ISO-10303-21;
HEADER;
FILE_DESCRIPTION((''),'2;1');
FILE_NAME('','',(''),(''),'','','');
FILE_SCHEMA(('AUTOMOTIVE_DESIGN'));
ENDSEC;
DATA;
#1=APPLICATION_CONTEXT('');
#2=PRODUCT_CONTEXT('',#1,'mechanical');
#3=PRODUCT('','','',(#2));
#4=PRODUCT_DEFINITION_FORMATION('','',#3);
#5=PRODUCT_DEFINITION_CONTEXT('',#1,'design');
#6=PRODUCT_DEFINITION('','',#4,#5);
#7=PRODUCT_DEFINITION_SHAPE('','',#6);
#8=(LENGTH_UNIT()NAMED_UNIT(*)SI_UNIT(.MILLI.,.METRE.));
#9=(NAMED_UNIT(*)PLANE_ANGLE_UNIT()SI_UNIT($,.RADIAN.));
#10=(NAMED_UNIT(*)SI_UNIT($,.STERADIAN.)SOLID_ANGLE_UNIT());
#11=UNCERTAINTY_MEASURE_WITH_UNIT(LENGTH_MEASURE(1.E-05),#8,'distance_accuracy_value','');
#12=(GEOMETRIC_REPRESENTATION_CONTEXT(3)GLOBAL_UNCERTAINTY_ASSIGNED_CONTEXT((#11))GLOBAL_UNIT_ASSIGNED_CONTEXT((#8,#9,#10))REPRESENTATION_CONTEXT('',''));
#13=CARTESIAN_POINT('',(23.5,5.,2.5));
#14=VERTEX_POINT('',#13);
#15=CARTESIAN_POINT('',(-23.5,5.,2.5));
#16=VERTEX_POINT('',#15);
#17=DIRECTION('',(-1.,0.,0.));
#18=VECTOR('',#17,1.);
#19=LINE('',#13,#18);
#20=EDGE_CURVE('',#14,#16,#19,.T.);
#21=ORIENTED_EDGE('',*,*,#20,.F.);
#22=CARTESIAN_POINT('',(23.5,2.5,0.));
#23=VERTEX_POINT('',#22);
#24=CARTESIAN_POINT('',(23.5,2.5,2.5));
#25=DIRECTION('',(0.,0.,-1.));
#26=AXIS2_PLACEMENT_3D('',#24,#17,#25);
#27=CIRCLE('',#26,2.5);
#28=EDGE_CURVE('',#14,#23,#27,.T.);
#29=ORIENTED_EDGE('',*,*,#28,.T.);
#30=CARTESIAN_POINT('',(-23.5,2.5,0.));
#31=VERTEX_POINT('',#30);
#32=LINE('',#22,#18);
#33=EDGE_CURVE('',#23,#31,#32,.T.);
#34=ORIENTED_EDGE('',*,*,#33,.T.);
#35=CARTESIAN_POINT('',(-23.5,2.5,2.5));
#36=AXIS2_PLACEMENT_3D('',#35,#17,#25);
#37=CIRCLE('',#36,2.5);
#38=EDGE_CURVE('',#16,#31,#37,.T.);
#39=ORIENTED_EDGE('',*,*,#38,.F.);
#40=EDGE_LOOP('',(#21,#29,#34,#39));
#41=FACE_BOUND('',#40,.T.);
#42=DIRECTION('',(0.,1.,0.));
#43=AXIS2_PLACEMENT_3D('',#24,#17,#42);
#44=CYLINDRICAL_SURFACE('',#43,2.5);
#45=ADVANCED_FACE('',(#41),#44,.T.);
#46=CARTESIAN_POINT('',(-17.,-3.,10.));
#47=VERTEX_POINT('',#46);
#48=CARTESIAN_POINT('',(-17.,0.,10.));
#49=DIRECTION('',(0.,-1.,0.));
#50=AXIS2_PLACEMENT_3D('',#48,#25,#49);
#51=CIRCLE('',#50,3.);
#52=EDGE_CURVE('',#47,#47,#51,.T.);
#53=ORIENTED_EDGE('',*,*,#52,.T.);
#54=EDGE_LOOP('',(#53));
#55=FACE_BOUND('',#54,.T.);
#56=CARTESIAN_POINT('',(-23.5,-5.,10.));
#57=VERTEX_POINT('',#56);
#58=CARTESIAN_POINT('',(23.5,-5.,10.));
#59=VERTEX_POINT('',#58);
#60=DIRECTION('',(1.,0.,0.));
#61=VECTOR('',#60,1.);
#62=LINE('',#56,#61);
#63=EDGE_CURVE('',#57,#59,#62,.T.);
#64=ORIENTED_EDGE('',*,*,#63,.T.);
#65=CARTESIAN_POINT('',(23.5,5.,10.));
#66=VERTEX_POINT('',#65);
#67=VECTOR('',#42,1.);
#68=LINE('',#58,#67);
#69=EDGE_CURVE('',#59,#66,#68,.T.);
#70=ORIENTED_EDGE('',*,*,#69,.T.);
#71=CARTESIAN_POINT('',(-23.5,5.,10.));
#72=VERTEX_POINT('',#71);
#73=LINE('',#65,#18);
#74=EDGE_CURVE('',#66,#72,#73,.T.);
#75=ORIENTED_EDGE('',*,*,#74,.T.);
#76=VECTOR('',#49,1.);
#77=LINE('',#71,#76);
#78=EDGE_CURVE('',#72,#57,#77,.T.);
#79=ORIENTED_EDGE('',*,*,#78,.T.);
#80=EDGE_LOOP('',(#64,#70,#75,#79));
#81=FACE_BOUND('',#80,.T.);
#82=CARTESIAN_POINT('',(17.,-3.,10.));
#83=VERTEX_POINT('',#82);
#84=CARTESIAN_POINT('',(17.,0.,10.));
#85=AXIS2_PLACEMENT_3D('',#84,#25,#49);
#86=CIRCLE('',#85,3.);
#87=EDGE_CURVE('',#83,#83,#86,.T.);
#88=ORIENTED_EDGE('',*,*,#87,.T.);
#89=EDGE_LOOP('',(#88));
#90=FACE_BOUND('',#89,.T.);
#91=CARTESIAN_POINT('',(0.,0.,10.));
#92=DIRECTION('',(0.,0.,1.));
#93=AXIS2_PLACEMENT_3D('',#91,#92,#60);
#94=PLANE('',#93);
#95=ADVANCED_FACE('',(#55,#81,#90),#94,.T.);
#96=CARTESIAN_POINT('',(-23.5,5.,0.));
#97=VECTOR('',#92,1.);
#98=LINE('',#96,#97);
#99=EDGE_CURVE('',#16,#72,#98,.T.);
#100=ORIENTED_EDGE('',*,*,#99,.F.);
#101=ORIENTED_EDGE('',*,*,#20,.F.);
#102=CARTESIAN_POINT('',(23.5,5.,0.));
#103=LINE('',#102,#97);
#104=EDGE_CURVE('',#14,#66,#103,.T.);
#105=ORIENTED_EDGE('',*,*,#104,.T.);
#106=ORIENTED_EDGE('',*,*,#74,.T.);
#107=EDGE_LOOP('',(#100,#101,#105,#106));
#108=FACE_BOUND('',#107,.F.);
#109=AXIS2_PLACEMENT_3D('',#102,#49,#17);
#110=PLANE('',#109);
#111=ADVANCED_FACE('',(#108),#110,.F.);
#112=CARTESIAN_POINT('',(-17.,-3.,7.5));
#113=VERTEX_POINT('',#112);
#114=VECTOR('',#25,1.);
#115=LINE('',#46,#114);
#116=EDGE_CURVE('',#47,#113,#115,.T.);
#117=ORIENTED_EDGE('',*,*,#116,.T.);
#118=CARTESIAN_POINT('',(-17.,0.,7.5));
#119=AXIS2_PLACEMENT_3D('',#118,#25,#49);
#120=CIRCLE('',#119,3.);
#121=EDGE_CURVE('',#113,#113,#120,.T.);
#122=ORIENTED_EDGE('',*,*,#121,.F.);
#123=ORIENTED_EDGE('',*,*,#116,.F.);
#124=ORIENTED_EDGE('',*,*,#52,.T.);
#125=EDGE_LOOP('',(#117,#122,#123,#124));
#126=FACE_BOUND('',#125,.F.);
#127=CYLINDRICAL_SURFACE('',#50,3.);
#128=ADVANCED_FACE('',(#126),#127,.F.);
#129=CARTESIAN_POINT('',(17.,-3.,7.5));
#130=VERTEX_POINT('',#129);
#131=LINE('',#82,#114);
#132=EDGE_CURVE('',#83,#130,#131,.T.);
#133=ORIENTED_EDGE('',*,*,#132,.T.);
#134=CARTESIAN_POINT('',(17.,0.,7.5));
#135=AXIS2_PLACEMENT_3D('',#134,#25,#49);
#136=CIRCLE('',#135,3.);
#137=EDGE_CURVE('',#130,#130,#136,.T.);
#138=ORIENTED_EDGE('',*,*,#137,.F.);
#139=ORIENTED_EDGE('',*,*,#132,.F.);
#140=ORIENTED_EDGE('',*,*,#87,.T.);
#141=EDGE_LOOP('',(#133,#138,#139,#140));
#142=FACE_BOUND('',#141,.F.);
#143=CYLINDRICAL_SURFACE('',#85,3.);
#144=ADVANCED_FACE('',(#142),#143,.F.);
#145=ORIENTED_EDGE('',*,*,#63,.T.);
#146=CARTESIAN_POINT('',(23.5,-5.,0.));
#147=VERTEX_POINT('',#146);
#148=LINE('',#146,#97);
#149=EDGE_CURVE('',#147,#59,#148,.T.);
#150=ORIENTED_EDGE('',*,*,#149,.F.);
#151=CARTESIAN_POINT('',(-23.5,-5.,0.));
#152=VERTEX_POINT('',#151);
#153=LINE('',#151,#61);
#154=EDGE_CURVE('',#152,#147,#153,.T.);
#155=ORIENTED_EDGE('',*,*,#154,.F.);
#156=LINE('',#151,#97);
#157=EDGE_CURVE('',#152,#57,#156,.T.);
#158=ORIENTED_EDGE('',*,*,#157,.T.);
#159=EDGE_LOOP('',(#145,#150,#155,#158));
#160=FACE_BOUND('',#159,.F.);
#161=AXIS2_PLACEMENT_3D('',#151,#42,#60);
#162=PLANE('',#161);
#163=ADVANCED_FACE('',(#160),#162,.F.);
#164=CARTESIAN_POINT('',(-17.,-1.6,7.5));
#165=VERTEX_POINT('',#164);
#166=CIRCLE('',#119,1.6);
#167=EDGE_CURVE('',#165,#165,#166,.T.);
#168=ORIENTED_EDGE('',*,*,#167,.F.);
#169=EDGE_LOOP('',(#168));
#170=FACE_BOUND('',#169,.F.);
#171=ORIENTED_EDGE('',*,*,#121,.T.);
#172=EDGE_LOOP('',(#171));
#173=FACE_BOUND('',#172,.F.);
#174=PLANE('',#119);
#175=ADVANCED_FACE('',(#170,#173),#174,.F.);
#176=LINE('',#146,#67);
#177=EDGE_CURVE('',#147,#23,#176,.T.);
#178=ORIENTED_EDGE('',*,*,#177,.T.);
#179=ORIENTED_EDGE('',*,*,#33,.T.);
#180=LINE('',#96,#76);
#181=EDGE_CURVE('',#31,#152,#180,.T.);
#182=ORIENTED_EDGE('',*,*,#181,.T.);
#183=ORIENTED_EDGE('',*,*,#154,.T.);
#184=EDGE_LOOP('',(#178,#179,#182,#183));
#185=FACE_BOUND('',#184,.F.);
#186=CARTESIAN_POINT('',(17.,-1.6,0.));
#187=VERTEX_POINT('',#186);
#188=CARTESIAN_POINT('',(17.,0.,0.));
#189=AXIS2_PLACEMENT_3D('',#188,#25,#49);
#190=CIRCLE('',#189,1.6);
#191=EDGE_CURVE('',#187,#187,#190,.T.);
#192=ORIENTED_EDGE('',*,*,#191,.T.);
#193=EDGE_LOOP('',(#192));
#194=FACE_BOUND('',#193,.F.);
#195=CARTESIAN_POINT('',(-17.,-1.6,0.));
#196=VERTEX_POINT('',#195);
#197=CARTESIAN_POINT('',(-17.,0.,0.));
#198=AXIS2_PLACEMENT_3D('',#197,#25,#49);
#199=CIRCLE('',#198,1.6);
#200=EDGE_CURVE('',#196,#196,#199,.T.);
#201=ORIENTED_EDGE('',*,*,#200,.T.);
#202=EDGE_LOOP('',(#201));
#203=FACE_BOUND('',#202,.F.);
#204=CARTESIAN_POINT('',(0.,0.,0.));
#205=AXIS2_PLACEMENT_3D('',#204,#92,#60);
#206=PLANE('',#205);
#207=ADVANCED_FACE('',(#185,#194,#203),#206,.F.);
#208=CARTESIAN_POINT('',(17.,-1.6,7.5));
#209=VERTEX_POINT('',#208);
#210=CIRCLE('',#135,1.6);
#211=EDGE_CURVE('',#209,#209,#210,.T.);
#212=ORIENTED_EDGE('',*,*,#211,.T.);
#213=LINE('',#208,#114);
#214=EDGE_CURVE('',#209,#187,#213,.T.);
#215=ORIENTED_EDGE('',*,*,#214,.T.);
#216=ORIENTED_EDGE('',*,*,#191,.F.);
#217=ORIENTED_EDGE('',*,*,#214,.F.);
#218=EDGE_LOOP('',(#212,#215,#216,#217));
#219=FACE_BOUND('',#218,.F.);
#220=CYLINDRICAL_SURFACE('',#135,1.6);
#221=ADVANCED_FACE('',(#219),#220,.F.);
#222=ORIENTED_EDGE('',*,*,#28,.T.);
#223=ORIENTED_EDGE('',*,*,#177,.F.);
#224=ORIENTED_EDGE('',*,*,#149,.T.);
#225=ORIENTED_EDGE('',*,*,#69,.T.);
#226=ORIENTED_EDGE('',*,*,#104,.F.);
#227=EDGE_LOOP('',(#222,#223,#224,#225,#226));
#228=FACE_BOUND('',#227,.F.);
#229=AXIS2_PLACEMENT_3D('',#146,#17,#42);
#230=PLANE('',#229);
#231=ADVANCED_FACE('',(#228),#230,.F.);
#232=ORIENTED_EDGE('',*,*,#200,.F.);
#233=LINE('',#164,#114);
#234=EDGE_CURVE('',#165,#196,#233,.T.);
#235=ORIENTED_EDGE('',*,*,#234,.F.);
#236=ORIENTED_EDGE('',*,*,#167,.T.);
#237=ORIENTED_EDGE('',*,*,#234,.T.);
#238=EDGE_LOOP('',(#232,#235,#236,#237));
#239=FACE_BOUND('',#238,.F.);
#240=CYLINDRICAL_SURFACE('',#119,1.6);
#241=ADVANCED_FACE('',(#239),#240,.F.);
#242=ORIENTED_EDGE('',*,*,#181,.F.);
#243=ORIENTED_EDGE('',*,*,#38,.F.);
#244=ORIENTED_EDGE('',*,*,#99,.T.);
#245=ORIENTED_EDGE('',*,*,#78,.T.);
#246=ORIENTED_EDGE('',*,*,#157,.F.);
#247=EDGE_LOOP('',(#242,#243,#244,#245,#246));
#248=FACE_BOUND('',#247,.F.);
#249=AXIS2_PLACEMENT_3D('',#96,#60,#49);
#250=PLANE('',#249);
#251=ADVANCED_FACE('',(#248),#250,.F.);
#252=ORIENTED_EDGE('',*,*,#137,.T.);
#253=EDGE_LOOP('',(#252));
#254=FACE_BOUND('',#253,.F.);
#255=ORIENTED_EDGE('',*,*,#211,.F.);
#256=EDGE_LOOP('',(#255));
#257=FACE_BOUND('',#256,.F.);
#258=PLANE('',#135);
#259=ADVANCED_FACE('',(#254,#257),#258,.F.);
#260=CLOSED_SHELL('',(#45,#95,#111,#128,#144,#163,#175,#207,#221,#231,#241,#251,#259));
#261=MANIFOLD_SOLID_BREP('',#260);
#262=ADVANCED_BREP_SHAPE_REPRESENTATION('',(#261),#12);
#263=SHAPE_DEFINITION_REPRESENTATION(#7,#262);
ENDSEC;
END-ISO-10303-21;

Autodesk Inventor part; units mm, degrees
ref_plane "YZ Plane" through (0, 0, 0) normal (1, 0, 0) x (0, 1, 0)
ref_plane "XZ Plane" through (0, 0, 0) normal (0, 1, 0) x (-1, 0, 0)
ref_plane "XY Plane" through (0, 0, 0) normal (0, 0, 1) x (1, 0, 0)
sketch "Sketch1" plane through (0, 0, 0) normal (0, 0, 1) x (1, 0, 0)
  line L0 (-23.5, -5) -> (23.5, -5)
  line L1 (23.5, -5) -> (23.5, 5)
  line L2 (23.5, 5) -> (-23.5, 5)
  line L3 (-23.5, 5) -> (-23.5, -5)
  line L4 (-23.5, -5) -> (23.5, 5) construction
  line L5 (23.5, -5) -> (-23.5, 5) construction
  point P0 (0, 0)
  dimension "d0" = 47
  dimension "d1" = 10
extrude "Extrusion1" add sketch "Sketch1" along normal blind 10
sketch "Sketch2" plane through (0, 0, 10) normal (0, 0, 1) x (1, 0, 0)
  line L0 (-23.5, 5) -> (-23.5, -5) projected
  line L1 (-23.5, 0) -> (-17, 0)
  line L2 (-17, 0) -> (17, 0)
  point P0 (0, 0)
  dimension "d4" = 6.5
  dimension "d5" = 34
hole "Hole1" at (-17, 0, 10) at (17, 0, 10) direction (0, 0, -1) diameter 3.2 end through all counterbore diameter 6 counterbore depth 2.5
fillet "Fillet1" radius 2.5 1 edges at (0, 5, 0)
properties part number "Satupofa"
